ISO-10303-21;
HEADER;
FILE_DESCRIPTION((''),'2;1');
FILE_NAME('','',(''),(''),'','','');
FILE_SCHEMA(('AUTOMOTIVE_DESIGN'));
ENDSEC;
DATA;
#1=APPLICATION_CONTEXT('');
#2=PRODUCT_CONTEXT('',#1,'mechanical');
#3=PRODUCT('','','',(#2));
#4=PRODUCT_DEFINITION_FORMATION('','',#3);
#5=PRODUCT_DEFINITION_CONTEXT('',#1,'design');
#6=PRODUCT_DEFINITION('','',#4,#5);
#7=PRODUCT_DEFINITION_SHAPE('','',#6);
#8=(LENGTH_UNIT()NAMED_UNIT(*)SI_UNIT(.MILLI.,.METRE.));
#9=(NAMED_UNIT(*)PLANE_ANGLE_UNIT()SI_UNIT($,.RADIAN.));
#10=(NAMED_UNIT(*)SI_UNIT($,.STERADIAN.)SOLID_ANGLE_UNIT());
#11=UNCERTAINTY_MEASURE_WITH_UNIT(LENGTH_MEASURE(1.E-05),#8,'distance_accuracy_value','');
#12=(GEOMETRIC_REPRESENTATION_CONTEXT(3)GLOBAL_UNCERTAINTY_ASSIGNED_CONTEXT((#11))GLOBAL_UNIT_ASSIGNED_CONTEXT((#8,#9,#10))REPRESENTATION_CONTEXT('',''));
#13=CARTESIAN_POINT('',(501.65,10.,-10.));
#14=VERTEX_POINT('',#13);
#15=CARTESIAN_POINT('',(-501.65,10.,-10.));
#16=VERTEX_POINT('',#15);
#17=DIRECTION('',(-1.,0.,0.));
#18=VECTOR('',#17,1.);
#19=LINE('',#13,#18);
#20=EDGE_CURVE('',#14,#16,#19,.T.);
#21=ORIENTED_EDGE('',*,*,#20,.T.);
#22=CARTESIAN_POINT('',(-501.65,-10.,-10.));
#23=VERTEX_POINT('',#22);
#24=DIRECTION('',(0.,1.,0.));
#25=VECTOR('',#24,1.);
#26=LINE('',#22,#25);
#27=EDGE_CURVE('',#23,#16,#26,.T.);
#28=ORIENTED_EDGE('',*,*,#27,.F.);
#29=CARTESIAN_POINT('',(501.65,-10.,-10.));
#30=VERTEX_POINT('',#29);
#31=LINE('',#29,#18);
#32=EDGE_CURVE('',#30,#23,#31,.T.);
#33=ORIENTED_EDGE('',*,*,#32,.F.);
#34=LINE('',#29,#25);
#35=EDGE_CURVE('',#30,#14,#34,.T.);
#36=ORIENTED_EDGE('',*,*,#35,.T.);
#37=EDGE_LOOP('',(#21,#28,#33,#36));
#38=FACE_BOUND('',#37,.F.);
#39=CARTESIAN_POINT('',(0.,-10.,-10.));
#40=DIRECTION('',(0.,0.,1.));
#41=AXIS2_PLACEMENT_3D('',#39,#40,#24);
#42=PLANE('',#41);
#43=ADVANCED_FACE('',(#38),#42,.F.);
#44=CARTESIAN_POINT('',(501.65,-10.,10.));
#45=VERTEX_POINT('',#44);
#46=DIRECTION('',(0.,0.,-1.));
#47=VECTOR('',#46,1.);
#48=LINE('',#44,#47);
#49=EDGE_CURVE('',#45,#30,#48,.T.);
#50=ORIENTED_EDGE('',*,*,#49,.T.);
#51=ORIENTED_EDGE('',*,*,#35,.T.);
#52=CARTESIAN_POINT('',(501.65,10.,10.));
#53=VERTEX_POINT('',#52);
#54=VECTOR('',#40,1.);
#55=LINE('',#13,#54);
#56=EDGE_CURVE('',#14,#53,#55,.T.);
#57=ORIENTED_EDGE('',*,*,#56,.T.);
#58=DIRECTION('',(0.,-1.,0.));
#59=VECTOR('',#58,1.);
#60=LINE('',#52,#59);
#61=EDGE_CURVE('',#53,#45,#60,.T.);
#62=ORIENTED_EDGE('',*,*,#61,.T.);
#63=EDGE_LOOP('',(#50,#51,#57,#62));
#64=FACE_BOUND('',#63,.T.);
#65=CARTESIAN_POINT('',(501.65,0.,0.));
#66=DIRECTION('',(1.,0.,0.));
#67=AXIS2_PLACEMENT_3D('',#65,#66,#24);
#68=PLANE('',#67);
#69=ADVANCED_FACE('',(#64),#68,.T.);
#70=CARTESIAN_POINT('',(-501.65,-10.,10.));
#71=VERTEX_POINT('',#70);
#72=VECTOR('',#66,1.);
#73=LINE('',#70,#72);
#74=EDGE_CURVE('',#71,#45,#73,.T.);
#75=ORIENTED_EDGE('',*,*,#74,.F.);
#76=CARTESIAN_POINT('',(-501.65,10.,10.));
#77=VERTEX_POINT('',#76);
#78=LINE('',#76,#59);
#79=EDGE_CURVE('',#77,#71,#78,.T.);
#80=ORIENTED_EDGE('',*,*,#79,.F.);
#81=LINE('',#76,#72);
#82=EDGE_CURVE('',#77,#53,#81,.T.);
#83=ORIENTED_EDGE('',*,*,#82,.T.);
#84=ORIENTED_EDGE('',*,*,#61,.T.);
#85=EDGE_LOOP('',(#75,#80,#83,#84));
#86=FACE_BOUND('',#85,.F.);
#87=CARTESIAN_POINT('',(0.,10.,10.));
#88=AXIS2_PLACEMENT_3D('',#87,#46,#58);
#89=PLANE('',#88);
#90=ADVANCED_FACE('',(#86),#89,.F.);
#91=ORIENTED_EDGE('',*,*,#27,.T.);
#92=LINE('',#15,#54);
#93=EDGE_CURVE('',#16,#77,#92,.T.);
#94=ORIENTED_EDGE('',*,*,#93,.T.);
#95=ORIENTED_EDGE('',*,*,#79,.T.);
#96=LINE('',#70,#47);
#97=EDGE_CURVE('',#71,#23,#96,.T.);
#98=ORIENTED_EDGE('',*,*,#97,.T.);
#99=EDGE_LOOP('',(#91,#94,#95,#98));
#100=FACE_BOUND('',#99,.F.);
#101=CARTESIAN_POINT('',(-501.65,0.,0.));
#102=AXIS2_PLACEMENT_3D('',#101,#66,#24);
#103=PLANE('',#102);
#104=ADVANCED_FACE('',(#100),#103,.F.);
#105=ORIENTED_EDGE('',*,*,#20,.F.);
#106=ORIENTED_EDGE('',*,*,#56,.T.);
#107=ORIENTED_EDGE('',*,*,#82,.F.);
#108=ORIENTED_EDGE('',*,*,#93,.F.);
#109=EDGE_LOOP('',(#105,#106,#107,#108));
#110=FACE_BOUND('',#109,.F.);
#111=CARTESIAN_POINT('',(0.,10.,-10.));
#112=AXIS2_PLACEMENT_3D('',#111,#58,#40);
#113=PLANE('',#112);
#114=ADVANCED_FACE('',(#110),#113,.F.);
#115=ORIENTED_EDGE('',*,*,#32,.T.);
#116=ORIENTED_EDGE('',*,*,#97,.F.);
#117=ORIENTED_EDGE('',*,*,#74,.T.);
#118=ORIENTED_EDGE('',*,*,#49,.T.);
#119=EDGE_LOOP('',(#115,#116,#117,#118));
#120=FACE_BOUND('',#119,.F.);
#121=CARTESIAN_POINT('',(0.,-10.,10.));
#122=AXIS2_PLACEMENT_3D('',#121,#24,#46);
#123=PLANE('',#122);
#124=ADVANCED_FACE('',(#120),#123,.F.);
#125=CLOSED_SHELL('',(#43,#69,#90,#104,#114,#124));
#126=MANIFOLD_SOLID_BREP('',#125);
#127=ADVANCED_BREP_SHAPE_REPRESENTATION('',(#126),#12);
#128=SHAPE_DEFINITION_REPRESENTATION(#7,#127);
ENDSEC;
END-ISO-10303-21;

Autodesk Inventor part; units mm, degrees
ref_plane "YZ Plane" through (0, 0, 0) normal (1, 0, 0) x (0, 1, 0)
ref_plane "XZ Plane" through (0, 0, 0) normal (0, 1, 0) x (-1, 0, 0)
ref_plane "XY Plane" through (0, 0, 0) normal (0, 0, 1) x (1, 0, 0)
sketch "Sketch1" plane through (0, 0, 0) normal (1, 0, 0) x (0, 1, 0)
  line L0 (10, 10) -> (-10, 10)
  line L1 (-10, 10) -> (-10, -10)
  line L2 (-10, -10) -> (10, -10)
  line L3 (10, -10) -> (10, 10)
  line L4 (10, 10) -> (-10, -10) construction
  line L5 (-10, 10) -> (10, -10) construction
  point P0 (0, 0)
  dimension "d0" = 20
  dimension "d1" = 20
extrude "Extrusion1" add sketch "Sketch1" along normal mid plane 1003.3
properties part number "Alum extrusion 29_5in"
